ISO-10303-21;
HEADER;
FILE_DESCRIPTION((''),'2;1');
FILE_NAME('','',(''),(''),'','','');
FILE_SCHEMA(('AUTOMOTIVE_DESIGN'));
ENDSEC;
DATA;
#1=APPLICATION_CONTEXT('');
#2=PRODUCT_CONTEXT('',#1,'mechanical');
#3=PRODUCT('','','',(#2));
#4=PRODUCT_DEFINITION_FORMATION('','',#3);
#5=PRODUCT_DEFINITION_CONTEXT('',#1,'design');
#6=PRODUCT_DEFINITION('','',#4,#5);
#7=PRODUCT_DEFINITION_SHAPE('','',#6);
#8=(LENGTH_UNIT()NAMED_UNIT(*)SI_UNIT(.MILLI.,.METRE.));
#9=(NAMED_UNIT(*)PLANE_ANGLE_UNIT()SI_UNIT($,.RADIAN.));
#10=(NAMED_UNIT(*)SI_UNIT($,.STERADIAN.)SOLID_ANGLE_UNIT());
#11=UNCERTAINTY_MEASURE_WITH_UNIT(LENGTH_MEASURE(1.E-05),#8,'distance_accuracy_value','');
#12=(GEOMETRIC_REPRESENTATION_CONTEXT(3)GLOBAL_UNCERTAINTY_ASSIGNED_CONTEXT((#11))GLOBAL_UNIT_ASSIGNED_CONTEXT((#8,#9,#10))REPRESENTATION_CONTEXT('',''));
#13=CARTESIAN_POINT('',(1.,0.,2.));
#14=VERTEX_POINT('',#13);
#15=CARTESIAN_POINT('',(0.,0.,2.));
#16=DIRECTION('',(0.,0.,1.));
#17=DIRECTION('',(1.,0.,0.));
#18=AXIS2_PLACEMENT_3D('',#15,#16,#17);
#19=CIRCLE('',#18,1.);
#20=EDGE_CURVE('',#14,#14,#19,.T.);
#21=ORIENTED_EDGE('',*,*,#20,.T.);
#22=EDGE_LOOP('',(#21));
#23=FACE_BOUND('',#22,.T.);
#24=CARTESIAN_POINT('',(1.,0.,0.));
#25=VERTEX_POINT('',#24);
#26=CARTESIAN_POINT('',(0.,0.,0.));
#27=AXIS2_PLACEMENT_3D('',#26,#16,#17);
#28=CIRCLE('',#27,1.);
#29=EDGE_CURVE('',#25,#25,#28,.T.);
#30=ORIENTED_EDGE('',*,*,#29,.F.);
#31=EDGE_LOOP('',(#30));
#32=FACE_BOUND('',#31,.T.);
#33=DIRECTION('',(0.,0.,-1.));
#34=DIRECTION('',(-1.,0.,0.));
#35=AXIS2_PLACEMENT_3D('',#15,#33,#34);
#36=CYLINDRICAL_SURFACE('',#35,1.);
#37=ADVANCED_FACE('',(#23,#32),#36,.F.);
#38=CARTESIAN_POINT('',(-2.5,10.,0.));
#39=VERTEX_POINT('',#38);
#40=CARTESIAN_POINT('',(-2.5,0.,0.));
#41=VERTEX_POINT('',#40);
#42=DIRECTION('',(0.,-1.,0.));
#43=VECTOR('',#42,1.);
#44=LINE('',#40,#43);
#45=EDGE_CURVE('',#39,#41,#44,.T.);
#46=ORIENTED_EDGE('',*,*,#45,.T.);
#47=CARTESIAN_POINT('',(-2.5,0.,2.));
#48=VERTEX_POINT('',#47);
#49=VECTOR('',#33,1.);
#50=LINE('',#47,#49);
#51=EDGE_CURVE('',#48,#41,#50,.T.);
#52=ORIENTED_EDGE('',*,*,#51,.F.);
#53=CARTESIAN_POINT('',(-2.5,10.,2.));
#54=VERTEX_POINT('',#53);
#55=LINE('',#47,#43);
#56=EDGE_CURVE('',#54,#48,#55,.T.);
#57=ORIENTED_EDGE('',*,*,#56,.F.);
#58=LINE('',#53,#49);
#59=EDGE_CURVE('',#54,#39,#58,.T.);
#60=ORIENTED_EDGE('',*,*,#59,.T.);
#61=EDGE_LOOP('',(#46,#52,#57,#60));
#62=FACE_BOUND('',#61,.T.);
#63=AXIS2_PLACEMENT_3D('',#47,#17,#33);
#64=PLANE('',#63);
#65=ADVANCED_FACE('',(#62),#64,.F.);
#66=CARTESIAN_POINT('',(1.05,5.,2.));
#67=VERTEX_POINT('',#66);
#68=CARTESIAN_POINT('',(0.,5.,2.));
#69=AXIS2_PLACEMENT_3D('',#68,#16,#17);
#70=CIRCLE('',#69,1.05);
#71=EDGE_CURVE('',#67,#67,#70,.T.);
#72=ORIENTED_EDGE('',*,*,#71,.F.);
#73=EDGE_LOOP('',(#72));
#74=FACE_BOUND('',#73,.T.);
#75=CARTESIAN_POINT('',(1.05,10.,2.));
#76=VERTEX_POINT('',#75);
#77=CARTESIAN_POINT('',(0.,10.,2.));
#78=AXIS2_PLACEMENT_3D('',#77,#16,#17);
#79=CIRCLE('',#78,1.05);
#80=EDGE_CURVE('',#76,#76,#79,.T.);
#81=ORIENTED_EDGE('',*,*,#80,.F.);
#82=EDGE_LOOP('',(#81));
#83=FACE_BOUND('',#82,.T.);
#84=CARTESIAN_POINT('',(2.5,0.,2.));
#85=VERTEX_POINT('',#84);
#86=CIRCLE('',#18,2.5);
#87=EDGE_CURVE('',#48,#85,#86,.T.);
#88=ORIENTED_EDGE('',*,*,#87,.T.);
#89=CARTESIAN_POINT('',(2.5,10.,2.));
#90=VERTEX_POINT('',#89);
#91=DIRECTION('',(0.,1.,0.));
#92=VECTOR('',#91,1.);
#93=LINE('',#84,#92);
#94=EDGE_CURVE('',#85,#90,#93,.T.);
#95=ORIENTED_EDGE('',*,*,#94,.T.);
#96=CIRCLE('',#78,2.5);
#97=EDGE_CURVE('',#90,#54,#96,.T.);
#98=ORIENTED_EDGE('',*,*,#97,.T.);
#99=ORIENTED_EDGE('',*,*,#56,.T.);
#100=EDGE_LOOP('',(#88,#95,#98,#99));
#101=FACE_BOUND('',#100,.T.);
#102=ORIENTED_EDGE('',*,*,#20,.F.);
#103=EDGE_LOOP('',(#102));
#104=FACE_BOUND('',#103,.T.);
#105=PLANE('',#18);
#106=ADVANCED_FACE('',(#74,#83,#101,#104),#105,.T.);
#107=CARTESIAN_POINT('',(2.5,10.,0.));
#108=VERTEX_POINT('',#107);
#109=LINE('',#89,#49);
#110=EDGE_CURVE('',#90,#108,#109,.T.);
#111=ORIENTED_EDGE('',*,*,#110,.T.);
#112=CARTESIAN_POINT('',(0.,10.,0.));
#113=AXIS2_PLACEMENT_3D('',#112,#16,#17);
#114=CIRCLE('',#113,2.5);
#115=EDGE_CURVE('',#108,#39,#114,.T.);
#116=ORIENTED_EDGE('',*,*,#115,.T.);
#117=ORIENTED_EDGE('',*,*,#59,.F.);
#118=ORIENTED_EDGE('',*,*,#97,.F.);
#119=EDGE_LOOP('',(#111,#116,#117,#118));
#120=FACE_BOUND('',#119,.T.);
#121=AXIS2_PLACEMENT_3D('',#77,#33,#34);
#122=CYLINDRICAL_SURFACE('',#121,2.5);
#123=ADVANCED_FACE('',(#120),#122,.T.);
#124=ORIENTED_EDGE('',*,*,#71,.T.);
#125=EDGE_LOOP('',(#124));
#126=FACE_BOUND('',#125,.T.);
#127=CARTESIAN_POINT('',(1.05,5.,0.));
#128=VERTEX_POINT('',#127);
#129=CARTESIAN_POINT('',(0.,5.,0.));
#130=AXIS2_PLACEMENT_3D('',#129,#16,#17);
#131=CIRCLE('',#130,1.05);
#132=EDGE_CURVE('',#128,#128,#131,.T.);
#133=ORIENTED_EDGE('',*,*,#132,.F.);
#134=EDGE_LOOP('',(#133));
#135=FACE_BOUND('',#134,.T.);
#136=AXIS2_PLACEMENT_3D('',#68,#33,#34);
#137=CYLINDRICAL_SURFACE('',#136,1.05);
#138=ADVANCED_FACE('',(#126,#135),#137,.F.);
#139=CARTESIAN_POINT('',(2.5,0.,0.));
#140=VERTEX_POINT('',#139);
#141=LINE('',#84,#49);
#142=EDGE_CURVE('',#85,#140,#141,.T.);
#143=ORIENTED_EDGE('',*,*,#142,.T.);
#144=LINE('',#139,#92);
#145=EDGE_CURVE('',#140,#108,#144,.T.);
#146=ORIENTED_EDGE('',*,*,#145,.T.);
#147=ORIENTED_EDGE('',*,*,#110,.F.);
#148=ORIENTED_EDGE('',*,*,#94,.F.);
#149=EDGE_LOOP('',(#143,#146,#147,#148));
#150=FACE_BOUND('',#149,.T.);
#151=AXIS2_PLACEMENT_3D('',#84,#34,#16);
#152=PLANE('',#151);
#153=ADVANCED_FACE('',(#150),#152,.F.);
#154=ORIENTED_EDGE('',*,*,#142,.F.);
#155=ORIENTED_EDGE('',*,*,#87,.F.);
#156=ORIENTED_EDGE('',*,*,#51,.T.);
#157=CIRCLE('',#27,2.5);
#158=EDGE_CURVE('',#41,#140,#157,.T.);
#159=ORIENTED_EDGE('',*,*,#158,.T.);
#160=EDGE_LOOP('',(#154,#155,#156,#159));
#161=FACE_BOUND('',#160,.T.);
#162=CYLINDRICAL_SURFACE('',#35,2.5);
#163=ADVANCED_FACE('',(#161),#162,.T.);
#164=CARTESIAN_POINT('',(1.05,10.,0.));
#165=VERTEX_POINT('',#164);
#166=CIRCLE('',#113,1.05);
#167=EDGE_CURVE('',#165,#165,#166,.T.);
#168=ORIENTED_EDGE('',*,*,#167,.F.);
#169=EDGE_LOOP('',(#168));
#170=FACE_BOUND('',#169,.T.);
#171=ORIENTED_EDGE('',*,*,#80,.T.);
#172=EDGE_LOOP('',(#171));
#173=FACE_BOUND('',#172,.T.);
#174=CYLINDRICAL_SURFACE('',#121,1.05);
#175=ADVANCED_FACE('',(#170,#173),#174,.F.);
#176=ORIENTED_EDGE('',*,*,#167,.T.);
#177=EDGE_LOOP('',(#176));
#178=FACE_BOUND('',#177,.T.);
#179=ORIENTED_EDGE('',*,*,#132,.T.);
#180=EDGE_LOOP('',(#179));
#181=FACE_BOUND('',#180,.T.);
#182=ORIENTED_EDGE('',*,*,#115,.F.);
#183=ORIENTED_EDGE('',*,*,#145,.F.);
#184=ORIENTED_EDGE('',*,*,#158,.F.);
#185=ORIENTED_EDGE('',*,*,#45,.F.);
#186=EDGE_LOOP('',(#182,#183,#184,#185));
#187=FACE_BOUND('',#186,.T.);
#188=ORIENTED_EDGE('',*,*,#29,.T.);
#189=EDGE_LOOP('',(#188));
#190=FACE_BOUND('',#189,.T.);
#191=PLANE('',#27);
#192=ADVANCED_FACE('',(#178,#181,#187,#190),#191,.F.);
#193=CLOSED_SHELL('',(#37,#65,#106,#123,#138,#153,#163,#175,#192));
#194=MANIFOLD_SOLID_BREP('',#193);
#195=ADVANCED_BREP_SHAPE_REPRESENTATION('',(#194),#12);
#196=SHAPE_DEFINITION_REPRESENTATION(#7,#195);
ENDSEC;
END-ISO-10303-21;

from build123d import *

# Parameters (mm, degrees)
SKETCH_1_R      = 1
SKETCH_1_R_2    = 1.05
EXTRUDE_1_DEPTH = 2


with BuildPart() as part:
    # 草图1 → 凸台-拉伸1 (new body)
    with BuildSketch(Plane.XY):
        with BuildLine():
            Line((-2.5, 0), (-2.5, 10))
            ThreePointArc((-2.5, 10), (0, 12.5), (2.5, 10))
            Line((2.5, 10), (2.5, 0))
            ThreePointArc((2.5, 0), (0, -2.5), (-2.5, 0))
        make_face()
        Circle(SKETCH_1_R, mode=Mode.SUBTRACT)
        with Locations((0, 10)):
            Circle(SKETCH_1_R_2, mode=Mode.SUBTRACT)
        with Locations((0, 5)):
            Circle(SKETCH_1_R_2, mode=Mode.SUBTRACT)
    extrude(amount=EXTRUDE_1_DEPTH)


solid = part.part
